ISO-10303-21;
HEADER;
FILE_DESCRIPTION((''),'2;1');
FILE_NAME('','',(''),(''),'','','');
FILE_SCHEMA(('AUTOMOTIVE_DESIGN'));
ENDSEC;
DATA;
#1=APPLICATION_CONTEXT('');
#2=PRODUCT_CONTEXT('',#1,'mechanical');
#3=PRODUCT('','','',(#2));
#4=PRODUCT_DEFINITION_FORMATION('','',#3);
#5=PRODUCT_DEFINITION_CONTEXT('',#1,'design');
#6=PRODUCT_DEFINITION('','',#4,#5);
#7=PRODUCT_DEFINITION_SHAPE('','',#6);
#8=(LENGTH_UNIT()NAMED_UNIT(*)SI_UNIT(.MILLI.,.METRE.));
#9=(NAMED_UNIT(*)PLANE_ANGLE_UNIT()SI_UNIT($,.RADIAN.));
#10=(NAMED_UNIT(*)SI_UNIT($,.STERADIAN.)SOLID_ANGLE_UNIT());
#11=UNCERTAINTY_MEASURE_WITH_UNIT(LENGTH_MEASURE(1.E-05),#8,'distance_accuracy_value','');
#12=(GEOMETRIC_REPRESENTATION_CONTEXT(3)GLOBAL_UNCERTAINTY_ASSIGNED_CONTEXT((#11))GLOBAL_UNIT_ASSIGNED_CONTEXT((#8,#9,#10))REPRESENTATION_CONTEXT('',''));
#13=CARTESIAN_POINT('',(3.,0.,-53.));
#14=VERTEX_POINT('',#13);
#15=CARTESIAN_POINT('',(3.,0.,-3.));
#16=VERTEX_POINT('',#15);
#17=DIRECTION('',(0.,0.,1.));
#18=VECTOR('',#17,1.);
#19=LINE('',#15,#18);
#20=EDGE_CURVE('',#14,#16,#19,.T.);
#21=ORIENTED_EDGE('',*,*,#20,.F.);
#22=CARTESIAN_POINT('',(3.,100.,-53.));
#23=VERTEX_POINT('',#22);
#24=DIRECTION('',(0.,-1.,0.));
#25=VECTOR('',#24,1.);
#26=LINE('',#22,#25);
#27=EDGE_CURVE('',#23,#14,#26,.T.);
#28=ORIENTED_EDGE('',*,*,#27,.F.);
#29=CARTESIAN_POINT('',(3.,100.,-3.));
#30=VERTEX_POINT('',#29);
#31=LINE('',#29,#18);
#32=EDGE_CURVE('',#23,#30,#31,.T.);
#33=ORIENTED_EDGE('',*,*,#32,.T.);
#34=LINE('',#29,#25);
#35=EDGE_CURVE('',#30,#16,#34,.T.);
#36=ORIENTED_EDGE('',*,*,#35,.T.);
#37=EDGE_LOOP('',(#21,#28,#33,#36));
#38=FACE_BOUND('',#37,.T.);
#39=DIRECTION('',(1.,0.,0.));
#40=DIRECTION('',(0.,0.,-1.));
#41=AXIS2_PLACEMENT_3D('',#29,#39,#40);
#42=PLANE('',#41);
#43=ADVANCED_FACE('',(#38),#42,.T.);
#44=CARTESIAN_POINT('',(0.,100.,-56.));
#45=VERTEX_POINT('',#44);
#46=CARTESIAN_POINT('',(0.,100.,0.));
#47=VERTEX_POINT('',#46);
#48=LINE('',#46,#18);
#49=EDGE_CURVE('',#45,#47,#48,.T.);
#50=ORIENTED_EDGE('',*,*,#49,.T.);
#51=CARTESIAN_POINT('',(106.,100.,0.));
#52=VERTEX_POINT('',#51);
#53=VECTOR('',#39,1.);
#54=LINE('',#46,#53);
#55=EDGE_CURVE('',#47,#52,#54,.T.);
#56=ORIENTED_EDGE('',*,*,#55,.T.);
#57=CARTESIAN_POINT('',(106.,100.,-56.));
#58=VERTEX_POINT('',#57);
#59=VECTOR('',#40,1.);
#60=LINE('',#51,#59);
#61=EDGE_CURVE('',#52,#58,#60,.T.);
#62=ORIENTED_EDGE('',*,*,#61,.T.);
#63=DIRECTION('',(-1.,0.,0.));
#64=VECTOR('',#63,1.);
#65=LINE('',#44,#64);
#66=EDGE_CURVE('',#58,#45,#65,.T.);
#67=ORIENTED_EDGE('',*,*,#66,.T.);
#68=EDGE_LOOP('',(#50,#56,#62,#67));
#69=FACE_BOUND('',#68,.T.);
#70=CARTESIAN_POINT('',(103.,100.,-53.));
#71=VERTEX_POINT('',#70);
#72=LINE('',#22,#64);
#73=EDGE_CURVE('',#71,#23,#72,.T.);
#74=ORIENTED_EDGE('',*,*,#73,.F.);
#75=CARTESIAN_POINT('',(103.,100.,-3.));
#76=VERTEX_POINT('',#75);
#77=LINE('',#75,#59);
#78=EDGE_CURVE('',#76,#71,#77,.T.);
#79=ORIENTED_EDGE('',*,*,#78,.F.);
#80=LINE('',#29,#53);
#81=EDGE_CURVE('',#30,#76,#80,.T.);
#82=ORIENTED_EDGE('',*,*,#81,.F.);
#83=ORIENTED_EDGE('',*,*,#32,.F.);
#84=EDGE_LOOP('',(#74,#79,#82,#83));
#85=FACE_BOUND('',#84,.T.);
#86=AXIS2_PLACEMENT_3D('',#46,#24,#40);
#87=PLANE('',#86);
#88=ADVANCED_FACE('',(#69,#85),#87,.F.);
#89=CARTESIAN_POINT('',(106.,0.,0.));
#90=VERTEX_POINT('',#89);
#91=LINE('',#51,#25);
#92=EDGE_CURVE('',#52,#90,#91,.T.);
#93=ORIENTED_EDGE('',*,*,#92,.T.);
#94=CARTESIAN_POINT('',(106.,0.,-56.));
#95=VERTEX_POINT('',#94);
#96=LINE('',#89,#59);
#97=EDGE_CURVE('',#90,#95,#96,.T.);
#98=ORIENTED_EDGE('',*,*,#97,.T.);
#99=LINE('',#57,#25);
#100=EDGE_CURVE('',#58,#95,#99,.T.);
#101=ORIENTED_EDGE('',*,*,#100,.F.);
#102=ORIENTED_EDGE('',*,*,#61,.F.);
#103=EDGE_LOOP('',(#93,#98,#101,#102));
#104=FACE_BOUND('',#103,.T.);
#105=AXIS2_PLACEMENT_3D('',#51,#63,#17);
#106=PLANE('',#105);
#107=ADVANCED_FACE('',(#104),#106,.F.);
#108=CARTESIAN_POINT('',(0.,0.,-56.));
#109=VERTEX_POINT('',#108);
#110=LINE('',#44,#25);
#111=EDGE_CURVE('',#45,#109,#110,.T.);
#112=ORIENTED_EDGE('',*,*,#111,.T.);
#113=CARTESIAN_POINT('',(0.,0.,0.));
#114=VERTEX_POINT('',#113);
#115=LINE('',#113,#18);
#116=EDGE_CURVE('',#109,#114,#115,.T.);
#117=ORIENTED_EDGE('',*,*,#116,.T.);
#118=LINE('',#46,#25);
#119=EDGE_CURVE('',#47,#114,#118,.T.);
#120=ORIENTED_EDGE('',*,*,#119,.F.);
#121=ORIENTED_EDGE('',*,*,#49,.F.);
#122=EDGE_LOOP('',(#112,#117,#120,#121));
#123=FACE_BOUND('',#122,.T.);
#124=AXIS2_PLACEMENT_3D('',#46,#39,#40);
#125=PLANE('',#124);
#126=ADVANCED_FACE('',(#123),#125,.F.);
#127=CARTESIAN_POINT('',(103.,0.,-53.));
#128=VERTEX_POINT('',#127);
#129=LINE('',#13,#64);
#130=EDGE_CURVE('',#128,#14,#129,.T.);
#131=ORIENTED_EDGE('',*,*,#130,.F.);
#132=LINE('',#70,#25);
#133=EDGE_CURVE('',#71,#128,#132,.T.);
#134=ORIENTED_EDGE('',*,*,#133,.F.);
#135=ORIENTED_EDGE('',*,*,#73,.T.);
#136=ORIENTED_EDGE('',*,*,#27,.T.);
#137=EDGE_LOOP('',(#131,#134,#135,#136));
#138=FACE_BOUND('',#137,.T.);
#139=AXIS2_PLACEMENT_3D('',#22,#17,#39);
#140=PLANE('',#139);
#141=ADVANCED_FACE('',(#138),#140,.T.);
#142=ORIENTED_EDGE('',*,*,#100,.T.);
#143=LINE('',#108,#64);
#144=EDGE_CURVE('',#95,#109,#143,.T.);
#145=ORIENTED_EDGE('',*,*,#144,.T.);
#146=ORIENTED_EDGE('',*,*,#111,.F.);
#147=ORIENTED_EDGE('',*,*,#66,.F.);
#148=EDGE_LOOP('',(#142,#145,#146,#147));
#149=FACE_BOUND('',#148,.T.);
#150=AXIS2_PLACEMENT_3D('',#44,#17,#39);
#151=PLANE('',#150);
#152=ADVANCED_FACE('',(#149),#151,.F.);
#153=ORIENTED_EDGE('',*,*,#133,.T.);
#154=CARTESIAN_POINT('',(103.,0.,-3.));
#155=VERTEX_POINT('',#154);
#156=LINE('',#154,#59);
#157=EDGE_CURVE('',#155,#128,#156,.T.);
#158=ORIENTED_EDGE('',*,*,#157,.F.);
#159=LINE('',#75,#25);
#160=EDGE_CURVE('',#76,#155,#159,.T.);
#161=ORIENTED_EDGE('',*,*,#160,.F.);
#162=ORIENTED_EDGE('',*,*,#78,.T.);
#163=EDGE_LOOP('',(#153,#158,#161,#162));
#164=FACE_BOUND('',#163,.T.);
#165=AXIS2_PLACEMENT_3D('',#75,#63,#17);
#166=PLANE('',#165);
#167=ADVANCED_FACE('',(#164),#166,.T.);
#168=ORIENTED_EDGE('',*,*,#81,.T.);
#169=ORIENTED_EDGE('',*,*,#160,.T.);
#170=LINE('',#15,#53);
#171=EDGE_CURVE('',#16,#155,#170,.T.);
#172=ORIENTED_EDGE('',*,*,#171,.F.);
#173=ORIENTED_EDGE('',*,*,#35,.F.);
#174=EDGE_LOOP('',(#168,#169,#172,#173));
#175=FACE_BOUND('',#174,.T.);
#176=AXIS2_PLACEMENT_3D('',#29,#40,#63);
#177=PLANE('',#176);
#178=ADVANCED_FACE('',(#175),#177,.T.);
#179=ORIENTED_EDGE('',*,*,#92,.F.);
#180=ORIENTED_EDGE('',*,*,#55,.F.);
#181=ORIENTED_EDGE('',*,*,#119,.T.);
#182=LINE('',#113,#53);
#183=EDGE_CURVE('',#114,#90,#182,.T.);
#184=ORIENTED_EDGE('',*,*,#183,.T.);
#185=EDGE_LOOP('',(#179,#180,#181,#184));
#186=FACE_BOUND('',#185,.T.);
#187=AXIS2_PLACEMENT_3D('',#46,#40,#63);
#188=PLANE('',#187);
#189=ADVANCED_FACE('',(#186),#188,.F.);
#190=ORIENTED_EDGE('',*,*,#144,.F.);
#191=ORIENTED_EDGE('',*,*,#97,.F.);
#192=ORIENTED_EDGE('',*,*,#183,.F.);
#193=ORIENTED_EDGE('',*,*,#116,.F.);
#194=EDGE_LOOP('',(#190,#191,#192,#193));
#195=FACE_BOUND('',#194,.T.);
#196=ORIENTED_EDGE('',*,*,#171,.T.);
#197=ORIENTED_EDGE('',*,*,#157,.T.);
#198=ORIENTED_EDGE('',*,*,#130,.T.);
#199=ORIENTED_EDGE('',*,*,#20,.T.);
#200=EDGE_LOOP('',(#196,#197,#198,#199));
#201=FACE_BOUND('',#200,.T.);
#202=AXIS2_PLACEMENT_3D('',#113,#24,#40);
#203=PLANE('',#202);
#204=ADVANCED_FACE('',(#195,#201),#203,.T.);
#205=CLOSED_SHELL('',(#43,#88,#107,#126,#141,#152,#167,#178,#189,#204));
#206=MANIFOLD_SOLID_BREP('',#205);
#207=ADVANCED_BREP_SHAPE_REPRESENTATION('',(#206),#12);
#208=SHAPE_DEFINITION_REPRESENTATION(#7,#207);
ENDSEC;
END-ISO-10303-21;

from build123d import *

# Parameters (mm, degrees)
SKETCH_1_W      = 106
SKETCH_1_H      = 56
SKETCH_1_W_2    = 100
SKETCH_1_H_2    = 50
EXTRUDE_1_DEPTH = 100


with BuildPart() as part:
    # 草圖1 → 填料-伸長1 (new body)
    with BuildSketch(Plane(origin=(0, 0, 0), x_dir=(1, 0, 0), z_dir=(0, 1, 0))):
        with Locations((53, 28)):
            Rectangle(SKETCH_1_W, SKETCH_1_H)
        with Locations((53, 28)):
            Rectangle(SKETCH_1_W_2, SKETCH_1_H_2, mode=Mode.SUBTRACT)
    extrude(amount=EXTRUDE_1_DEPTH)


solid = part.part
